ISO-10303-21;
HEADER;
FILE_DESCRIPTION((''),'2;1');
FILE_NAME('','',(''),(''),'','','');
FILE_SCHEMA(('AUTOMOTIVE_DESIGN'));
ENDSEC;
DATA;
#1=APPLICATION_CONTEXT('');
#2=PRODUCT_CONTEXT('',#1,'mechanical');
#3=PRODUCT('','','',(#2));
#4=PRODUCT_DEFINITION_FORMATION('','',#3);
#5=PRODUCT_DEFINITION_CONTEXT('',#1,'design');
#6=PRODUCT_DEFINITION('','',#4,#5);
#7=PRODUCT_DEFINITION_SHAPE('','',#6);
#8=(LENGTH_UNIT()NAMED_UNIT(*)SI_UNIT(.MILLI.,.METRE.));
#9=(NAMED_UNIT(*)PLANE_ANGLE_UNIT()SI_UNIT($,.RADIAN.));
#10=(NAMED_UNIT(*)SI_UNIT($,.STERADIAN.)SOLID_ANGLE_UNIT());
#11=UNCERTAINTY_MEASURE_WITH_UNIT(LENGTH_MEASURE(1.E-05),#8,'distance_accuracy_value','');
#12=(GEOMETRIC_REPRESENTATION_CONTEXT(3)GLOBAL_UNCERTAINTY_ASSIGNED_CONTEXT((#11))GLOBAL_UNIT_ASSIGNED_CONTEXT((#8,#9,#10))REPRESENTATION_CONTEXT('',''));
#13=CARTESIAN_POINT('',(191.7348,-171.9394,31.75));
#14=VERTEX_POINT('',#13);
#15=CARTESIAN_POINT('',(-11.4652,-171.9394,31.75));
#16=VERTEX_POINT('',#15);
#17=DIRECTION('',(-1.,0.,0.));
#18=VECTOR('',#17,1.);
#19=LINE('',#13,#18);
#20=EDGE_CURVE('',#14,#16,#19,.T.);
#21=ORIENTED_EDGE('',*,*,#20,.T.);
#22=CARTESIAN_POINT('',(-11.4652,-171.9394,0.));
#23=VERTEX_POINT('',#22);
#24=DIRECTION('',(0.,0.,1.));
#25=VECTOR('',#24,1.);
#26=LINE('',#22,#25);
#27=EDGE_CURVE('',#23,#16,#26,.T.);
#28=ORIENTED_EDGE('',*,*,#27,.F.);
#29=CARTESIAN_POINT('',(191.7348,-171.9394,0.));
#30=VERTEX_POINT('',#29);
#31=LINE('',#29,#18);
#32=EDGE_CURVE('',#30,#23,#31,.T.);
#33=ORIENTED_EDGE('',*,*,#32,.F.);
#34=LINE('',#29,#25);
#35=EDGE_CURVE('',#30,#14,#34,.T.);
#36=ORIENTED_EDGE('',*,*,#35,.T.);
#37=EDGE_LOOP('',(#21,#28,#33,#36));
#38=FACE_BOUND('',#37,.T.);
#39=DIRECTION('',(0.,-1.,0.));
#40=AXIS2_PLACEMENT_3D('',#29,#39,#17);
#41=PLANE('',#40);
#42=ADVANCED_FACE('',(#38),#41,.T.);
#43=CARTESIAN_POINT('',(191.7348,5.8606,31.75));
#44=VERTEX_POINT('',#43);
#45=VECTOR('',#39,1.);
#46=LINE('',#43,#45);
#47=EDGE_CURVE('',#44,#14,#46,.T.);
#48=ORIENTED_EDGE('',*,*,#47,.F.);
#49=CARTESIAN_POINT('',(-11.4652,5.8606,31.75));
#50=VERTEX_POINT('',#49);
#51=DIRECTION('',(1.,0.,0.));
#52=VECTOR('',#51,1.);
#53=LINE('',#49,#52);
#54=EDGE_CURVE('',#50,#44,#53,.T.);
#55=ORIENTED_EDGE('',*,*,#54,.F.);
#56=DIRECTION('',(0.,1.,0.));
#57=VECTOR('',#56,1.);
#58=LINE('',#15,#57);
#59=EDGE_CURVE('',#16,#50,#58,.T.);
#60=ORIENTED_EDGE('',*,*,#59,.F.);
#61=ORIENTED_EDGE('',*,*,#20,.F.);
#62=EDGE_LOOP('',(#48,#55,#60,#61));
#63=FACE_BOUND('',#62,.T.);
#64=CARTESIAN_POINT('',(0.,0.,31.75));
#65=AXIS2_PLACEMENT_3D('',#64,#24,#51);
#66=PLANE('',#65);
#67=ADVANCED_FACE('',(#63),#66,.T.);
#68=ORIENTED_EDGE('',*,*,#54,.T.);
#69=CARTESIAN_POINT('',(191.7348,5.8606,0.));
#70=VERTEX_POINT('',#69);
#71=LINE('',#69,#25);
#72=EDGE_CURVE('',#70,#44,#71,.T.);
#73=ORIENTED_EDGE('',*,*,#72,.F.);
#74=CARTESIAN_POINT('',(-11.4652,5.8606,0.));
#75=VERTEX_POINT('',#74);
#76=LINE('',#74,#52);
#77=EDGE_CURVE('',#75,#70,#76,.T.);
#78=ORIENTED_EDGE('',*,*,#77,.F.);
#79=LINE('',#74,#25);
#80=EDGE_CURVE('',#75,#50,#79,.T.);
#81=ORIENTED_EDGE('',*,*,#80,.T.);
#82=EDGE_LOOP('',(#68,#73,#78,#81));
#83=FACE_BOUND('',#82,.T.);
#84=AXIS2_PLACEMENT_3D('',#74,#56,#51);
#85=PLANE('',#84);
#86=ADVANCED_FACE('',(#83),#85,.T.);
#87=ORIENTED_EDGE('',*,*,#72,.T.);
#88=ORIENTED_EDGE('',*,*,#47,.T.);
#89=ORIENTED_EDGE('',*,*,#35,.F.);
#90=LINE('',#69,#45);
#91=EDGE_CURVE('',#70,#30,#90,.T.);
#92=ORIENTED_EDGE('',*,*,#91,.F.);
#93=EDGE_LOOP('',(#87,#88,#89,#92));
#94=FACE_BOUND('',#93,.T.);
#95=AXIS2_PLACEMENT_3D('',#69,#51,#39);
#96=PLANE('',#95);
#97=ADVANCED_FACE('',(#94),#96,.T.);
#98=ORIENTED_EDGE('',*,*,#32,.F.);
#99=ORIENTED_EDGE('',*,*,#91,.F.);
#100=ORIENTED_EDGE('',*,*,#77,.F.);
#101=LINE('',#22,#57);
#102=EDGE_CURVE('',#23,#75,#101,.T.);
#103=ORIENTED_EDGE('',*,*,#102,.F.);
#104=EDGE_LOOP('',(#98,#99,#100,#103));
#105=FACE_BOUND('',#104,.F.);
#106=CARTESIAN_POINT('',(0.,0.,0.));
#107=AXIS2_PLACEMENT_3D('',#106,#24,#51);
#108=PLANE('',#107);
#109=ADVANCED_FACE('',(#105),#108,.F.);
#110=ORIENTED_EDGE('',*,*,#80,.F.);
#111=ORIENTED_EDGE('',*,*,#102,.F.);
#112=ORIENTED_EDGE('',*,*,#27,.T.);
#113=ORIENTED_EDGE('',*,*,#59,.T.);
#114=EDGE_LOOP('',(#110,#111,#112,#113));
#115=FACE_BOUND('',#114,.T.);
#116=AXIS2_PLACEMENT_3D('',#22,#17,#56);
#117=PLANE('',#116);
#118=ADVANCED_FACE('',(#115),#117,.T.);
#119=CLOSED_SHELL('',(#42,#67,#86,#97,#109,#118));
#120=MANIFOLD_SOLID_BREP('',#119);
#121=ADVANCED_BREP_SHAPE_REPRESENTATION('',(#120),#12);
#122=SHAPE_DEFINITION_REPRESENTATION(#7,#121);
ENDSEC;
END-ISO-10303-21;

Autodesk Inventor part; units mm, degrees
ref_plane "YZ Plane" through (0, 0, 0) normal (1, 0, 0) x (0, 1, 0)
ref_plane "XZ Plane" through (0, 0, 0) normal (0, 1, 0) x (-1, 0, 0)
ref_plane "XY Plane" through (0, 0, 0) normal (0, 0, 1) x (1, 0, 0)
sketch "Sketch1" plane through (0, 0, 0) normal (0, 0, 1) x (1, 0, 0)
  line L0 (-11.4652, 5.8606) -> (191.7348, 5.8606)
  line L1 (191.7348, 5.8606) -> (191.7348, -171.9394)
  line L2 (191.7348, -171.9394) -> (-11.4652, -171.9394)
  line L3 (-11.4652, -171.9394) -> (-11.4652, 5.8606)
  dimension "d0" = 203.2
  dimension "d1" = 177.8
extrude "Extrusion1" add sketch "Sketch1" along normal blind 31.75
properties part number "Place holder for wheels"
